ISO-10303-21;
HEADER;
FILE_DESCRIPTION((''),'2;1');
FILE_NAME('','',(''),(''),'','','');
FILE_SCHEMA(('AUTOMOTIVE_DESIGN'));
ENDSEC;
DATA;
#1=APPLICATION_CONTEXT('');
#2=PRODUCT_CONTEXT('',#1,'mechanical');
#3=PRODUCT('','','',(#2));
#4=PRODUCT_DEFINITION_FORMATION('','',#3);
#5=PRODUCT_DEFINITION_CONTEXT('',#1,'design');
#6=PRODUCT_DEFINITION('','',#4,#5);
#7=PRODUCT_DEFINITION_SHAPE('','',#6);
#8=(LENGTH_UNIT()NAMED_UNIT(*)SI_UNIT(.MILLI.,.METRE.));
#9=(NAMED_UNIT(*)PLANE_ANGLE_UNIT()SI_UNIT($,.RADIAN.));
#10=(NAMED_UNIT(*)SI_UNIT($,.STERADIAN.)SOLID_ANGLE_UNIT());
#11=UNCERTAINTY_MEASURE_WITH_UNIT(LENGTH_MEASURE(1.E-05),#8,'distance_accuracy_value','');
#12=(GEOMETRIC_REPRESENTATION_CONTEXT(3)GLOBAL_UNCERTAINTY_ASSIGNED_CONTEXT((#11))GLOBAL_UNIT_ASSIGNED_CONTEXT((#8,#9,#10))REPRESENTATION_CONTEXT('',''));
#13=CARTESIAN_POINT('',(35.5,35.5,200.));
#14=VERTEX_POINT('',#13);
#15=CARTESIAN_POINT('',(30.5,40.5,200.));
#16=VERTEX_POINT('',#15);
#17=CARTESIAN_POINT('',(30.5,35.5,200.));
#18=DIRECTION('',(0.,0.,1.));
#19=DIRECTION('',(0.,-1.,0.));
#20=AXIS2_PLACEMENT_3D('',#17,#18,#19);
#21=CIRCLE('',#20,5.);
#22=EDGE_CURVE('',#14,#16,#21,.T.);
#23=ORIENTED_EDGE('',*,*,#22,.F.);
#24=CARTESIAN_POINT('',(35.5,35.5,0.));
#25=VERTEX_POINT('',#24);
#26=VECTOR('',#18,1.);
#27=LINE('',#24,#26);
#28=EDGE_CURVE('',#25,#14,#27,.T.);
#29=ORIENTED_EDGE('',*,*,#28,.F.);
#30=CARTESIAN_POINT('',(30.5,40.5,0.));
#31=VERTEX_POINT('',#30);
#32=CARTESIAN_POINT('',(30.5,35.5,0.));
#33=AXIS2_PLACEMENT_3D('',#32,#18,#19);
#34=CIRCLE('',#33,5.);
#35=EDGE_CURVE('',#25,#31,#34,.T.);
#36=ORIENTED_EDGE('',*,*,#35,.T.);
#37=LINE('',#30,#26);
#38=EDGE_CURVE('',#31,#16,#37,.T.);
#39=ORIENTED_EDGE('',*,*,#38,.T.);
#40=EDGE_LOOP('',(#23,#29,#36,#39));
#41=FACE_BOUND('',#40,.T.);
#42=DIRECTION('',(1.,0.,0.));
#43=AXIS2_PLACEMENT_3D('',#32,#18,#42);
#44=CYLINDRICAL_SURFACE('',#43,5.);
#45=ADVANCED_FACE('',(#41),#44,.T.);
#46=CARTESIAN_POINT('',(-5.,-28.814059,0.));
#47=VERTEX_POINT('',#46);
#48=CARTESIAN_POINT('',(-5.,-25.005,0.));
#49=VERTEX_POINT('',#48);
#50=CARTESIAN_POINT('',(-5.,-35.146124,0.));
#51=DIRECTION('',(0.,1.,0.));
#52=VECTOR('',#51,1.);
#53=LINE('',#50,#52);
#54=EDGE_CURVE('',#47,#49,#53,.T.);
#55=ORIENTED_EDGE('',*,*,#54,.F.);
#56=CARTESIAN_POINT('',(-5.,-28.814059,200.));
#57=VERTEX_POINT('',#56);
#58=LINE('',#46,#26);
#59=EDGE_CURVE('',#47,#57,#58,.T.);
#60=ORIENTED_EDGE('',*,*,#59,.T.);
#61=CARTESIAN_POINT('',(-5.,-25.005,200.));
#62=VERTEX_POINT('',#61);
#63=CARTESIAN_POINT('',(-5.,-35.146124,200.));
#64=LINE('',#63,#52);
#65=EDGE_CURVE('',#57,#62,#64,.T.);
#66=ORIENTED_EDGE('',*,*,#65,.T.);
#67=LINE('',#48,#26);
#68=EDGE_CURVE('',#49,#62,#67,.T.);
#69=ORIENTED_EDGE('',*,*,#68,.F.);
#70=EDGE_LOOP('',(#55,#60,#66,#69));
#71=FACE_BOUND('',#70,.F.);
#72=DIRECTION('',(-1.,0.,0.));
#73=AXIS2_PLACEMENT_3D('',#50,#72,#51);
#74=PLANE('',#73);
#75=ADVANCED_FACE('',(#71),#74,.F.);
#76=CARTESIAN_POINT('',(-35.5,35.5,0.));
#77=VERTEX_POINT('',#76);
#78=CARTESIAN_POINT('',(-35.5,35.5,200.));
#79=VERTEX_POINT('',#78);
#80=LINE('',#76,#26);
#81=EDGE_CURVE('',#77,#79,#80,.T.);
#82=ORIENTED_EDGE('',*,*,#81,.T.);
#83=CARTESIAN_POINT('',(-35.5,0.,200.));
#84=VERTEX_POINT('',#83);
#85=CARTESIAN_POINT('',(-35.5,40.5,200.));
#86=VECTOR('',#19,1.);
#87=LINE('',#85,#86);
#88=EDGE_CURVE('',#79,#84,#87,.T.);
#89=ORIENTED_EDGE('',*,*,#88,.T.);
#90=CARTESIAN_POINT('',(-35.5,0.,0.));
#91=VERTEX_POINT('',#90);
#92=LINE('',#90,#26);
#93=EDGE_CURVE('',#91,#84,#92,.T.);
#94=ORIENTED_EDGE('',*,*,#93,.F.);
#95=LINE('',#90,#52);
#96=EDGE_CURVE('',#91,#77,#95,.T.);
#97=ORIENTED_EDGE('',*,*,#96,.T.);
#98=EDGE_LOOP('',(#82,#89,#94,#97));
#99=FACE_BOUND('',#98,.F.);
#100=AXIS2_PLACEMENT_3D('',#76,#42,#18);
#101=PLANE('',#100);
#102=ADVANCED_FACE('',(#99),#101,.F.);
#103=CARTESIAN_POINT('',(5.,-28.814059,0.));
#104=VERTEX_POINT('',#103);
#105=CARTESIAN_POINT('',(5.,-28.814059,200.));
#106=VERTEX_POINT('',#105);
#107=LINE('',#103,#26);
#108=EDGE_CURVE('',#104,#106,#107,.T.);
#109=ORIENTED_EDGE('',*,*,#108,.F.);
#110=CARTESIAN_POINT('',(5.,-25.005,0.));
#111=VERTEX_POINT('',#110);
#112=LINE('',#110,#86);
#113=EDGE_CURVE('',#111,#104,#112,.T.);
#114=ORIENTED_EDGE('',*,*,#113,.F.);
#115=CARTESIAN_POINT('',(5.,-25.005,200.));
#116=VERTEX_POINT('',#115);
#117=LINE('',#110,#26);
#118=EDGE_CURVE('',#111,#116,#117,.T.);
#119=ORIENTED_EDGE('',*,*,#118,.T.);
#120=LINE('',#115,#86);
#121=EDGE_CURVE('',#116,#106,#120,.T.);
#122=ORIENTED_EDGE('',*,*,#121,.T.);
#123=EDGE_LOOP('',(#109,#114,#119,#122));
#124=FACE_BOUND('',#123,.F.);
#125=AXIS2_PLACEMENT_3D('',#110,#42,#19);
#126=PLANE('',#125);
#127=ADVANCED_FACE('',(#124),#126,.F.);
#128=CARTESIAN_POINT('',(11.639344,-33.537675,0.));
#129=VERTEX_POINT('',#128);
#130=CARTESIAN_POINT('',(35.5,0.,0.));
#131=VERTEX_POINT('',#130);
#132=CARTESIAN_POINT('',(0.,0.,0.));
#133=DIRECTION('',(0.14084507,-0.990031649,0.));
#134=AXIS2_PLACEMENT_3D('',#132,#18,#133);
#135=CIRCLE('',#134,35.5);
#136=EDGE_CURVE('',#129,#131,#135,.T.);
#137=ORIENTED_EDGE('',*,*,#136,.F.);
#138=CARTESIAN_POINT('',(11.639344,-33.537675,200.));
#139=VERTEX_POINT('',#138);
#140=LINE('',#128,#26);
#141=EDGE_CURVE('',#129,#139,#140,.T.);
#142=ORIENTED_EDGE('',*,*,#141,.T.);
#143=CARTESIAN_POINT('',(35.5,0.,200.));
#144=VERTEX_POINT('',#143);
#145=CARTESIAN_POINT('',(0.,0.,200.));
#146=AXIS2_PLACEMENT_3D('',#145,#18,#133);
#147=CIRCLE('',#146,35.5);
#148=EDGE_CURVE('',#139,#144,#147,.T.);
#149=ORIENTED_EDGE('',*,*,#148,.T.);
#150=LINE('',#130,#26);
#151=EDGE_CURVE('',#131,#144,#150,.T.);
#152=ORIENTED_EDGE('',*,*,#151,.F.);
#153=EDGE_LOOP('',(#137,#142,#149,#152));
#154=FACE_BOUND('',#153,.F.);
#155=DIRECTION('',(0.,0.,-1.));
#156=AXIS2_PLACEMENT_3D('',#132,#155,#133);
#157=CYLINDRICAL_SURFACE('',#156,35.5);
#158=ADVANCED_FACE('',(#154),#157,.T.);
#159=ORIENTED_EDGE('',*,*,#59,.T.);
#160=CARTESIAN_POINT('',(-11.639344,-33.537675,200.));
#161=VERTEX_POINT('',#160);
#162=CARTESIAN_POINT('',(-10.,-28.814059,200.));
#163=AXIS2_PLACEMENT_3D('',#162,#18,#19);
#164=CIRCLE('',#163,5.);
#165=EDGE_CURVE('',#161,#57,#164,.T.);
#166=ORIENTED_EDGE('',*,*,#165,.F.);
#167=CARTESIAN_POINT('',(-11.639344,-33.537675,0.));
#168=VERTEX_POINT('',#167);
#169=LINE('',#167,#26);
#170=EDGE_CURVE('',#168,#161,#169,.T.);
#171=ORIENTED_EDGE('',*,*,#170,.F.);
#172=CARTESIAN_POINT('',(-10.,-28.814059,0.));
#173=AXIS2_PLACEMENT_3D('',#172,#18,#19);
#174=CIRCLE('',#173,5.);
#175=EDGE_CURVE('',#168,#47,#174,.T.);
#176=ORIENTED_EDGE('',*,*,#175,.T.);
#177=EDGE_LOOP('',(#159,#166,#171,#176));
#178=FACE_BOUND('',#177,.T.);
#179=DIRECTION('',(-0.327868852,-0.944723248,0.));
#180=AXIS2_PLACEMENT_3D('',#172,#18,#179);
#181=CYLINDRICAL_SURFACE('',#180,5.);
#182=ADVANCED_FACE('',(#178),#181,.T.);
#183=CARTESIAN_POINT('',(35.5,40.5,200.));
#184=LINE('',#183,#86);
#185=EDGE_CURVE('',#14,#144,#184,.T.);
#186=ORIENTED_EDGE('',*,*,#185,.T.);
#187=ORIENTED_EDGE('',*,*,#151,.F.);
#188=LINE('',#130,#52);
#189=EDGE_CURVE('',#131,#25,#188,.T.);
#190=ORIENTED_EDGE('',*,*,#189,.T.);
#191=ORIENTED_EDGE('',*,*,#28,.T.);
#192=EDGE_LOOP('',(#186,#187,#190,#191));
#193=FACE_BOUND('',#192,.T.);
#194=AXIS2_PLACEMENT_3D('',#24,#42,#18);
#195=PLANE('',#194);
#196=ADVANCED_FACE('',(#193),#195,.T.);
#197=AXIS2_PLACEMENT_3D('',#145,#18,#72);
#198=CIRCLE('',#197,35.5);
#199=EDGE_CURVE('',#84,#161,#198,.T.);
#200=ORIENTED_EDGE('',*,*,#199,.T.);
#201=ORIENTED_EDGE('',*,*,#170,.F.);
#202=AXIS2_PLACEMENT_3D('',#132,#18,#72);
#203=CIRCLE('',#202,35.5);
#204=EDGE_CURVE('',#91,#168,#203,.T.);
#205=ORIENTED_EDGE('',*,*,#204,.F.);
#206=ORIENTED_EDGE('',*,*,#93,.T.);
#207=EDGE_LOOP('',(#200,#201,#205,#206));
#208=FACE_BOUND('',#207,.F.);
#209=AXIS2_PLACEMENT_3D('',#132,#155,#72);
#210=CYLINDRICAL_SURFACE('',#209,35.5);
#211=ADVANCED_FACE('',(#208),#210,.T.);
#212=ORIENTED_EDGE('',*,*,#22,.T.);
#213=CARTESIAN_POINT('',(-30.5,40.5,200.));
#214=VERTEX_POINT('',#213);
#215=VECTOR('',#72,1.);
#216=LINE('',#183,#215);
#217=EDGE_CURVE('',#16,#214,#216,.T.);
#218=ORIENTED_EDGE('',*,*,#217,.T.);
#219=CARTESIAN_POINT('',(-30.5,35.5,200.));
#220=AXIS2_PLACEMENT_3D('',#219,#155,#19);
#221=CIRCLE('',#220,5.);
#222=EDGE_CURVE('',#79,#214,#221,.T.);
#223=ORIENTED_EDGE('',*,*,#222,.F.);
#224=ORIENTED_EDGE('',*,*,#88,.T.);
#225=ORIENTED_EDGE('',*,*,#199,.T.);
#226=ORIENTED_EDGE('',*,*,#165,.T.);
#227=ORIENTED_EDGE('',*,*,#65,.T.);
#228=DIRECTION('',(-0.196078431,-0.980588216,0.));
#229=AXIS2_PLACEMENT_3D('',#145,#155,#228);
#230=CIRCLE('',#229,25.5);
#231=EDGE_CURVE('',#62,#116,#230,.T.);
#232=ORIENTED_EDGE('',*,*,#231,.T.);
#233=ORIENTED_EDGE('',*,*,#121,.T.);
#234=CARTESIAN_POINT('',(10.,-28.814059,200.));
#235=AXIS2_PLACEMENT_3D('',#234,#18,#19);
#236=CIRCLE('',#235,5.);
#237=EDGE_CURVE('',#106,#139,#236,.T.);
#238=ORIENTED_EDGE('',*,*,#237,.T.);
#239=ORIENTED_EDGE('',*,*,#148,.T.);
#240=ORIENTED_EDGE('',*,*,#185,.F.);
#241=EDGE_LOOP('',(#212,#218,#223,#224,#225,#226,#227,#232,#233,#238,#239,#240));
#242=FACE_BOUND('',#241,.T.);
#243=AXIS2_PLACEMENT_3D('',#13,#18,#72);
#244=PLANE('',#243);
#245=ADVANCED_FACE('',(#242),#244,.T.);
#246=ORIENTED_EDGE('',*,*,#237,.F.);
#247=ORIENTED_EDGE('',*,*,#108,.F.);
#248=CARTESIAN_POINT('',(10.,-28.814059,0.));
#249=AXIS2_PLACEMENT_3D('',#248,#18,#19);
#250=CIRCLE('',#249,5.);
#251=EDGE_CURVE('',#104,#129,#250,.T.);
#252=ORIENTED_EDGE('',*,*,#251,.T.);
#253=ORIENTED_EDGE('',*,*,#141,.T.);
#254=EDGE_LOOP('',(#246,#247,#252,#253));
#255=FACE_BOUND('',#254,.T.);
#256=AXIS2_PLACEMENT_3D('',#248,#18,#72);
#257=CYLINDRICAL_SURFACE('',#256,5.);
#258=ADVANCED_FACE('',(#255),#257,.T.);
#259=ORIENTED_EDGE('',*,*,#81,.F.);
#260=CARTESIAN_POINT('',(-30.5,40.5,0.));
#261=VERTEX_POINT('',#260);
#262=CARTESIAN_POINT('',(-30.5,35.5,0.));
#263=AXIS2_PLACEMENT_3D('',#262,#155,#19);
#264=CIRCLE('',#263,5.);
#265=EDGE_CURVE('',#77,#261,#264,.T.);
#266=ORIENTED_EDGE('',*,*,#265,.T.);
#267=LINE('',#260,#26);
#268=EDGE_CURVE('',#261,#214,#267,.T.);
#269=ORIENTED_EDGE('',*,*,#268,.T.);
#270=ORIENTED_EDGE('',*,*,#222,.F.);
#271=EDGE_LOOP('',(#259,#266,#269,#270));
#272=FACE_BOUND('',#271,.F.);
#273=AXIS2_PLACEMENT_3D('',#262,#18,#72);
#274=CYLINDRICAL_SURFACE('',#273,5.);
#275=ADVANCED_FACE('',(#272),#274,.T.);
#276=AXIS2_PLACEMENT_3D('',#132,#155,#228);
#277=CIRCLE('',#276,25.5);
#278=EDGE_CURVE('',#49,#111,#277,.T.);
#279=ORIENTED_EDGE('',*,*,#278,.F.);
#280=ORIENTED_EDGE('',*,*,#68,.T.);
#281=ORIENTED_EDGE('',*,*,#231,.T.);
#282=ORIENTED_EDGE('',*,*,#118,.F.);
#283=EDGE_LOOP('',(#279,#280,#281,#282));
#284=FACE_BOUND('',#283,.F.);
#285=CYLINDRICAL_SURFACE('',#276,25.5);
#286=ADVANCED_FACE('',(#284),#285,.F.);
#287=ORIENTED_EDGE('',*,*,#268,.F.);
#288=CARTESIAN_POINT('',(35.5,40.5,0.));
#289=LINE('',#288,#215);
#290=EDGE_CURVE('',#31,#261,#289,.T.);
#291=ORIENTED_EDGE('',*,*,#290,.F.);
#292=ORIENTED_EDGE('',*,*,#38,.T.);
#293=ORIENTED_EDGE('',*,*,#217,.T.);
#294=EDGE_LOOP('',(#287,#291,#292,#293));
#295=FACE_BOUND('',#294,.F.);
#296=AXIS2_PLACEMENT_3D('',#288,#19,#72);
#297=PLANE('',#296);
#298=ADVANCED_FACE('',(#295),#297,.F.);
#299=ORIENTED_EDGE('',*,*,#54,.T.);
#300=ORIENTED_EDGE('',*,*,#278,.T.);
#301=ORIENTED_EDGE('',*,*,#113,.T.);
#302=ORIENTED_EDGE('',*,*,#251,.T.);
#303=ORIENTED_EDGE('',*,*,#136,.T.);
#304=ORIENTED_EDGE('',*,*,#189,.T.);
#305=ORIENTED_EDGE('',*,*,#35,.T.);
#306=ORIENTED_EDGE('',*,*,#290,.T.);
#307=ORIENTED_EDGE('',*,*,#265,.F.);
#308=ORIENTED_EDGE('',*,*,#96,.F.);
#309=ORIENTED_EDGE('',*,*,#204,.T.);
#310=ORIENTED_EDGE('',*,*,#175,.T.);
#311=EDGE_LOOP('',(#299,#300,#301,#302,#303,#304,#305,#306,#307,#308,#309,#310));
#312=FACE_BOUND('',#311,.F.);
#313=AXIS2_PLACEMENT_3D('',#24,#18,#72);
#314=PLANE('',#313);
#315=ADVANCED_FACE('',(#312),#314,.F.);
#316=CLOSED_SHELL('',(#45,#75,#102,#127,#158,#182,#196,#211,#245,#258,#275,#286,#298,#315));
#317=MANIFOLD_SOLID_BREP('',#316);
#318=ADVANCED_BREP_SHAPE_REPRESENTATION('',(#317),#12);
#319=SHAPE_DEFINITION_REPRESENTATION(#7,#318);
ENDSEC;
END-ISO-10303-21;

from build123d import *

# Parameters (mm, degrees)
F1_DEPTH = 200
F2_R     = 5
F3_DEPTH = 5
F4_R     = 5


with BuildPart() as f1:
    # F0 (on Top) → F1 (new body)
    with BuildSketch(Plane.XY):
        with BuildLine():
            ThreePointArc((-5, -25.0049995001), (0, 25.5), (5, -25.0049995001))
            Line((5, -25.0049995001), (5, -35.1461235416))
            ThreePointArc((5, -35.1461235416), (26.8118443976, -23.2674665574), (35.5, 0))
            Line((35.5, 0), (35.5, 35.5))
            Line((35.5, 35.5), (0, 35.5))
            Line((0, 35.5), (-35.5, 35.5))
            Line((-35.5, 35.5), (-35.5, 0))
            ThreePointArc((-35.5, 0), (-26.8118443976, -23.2674665574), (-5, -35.1461235416))
            Line((-5, -35.1461235416), (-5, -25.0049995001))
        make_face()
    extrude(amount=F1_DEPTH)

    # F2
    f2_edges = [f1.edges().sort_by_distance(p)[0] for p in [
        (-5, -35.146124, 100),
        (5, -35.146124, 100),
    ]]
    fillet(f2_edges, radius=F2_R)

    # F3 (add): a face of the model
    f3_faces = [f1.faces().sort_by_distance(p)[0] for p in [
        (0, 35.5, 100),
    ]]
    extrude(f3_faces, amount=F3_DEPTH)

    # F4
    f4_edges = [f1.edges().sort_by_distance(p)[0] for p in [
        (35.5, 40.5, 100),
        (-35.5, 40.5, 100),
    ]]
    fillet(f4_edges, radius=F4_R)


solid = f1.part
